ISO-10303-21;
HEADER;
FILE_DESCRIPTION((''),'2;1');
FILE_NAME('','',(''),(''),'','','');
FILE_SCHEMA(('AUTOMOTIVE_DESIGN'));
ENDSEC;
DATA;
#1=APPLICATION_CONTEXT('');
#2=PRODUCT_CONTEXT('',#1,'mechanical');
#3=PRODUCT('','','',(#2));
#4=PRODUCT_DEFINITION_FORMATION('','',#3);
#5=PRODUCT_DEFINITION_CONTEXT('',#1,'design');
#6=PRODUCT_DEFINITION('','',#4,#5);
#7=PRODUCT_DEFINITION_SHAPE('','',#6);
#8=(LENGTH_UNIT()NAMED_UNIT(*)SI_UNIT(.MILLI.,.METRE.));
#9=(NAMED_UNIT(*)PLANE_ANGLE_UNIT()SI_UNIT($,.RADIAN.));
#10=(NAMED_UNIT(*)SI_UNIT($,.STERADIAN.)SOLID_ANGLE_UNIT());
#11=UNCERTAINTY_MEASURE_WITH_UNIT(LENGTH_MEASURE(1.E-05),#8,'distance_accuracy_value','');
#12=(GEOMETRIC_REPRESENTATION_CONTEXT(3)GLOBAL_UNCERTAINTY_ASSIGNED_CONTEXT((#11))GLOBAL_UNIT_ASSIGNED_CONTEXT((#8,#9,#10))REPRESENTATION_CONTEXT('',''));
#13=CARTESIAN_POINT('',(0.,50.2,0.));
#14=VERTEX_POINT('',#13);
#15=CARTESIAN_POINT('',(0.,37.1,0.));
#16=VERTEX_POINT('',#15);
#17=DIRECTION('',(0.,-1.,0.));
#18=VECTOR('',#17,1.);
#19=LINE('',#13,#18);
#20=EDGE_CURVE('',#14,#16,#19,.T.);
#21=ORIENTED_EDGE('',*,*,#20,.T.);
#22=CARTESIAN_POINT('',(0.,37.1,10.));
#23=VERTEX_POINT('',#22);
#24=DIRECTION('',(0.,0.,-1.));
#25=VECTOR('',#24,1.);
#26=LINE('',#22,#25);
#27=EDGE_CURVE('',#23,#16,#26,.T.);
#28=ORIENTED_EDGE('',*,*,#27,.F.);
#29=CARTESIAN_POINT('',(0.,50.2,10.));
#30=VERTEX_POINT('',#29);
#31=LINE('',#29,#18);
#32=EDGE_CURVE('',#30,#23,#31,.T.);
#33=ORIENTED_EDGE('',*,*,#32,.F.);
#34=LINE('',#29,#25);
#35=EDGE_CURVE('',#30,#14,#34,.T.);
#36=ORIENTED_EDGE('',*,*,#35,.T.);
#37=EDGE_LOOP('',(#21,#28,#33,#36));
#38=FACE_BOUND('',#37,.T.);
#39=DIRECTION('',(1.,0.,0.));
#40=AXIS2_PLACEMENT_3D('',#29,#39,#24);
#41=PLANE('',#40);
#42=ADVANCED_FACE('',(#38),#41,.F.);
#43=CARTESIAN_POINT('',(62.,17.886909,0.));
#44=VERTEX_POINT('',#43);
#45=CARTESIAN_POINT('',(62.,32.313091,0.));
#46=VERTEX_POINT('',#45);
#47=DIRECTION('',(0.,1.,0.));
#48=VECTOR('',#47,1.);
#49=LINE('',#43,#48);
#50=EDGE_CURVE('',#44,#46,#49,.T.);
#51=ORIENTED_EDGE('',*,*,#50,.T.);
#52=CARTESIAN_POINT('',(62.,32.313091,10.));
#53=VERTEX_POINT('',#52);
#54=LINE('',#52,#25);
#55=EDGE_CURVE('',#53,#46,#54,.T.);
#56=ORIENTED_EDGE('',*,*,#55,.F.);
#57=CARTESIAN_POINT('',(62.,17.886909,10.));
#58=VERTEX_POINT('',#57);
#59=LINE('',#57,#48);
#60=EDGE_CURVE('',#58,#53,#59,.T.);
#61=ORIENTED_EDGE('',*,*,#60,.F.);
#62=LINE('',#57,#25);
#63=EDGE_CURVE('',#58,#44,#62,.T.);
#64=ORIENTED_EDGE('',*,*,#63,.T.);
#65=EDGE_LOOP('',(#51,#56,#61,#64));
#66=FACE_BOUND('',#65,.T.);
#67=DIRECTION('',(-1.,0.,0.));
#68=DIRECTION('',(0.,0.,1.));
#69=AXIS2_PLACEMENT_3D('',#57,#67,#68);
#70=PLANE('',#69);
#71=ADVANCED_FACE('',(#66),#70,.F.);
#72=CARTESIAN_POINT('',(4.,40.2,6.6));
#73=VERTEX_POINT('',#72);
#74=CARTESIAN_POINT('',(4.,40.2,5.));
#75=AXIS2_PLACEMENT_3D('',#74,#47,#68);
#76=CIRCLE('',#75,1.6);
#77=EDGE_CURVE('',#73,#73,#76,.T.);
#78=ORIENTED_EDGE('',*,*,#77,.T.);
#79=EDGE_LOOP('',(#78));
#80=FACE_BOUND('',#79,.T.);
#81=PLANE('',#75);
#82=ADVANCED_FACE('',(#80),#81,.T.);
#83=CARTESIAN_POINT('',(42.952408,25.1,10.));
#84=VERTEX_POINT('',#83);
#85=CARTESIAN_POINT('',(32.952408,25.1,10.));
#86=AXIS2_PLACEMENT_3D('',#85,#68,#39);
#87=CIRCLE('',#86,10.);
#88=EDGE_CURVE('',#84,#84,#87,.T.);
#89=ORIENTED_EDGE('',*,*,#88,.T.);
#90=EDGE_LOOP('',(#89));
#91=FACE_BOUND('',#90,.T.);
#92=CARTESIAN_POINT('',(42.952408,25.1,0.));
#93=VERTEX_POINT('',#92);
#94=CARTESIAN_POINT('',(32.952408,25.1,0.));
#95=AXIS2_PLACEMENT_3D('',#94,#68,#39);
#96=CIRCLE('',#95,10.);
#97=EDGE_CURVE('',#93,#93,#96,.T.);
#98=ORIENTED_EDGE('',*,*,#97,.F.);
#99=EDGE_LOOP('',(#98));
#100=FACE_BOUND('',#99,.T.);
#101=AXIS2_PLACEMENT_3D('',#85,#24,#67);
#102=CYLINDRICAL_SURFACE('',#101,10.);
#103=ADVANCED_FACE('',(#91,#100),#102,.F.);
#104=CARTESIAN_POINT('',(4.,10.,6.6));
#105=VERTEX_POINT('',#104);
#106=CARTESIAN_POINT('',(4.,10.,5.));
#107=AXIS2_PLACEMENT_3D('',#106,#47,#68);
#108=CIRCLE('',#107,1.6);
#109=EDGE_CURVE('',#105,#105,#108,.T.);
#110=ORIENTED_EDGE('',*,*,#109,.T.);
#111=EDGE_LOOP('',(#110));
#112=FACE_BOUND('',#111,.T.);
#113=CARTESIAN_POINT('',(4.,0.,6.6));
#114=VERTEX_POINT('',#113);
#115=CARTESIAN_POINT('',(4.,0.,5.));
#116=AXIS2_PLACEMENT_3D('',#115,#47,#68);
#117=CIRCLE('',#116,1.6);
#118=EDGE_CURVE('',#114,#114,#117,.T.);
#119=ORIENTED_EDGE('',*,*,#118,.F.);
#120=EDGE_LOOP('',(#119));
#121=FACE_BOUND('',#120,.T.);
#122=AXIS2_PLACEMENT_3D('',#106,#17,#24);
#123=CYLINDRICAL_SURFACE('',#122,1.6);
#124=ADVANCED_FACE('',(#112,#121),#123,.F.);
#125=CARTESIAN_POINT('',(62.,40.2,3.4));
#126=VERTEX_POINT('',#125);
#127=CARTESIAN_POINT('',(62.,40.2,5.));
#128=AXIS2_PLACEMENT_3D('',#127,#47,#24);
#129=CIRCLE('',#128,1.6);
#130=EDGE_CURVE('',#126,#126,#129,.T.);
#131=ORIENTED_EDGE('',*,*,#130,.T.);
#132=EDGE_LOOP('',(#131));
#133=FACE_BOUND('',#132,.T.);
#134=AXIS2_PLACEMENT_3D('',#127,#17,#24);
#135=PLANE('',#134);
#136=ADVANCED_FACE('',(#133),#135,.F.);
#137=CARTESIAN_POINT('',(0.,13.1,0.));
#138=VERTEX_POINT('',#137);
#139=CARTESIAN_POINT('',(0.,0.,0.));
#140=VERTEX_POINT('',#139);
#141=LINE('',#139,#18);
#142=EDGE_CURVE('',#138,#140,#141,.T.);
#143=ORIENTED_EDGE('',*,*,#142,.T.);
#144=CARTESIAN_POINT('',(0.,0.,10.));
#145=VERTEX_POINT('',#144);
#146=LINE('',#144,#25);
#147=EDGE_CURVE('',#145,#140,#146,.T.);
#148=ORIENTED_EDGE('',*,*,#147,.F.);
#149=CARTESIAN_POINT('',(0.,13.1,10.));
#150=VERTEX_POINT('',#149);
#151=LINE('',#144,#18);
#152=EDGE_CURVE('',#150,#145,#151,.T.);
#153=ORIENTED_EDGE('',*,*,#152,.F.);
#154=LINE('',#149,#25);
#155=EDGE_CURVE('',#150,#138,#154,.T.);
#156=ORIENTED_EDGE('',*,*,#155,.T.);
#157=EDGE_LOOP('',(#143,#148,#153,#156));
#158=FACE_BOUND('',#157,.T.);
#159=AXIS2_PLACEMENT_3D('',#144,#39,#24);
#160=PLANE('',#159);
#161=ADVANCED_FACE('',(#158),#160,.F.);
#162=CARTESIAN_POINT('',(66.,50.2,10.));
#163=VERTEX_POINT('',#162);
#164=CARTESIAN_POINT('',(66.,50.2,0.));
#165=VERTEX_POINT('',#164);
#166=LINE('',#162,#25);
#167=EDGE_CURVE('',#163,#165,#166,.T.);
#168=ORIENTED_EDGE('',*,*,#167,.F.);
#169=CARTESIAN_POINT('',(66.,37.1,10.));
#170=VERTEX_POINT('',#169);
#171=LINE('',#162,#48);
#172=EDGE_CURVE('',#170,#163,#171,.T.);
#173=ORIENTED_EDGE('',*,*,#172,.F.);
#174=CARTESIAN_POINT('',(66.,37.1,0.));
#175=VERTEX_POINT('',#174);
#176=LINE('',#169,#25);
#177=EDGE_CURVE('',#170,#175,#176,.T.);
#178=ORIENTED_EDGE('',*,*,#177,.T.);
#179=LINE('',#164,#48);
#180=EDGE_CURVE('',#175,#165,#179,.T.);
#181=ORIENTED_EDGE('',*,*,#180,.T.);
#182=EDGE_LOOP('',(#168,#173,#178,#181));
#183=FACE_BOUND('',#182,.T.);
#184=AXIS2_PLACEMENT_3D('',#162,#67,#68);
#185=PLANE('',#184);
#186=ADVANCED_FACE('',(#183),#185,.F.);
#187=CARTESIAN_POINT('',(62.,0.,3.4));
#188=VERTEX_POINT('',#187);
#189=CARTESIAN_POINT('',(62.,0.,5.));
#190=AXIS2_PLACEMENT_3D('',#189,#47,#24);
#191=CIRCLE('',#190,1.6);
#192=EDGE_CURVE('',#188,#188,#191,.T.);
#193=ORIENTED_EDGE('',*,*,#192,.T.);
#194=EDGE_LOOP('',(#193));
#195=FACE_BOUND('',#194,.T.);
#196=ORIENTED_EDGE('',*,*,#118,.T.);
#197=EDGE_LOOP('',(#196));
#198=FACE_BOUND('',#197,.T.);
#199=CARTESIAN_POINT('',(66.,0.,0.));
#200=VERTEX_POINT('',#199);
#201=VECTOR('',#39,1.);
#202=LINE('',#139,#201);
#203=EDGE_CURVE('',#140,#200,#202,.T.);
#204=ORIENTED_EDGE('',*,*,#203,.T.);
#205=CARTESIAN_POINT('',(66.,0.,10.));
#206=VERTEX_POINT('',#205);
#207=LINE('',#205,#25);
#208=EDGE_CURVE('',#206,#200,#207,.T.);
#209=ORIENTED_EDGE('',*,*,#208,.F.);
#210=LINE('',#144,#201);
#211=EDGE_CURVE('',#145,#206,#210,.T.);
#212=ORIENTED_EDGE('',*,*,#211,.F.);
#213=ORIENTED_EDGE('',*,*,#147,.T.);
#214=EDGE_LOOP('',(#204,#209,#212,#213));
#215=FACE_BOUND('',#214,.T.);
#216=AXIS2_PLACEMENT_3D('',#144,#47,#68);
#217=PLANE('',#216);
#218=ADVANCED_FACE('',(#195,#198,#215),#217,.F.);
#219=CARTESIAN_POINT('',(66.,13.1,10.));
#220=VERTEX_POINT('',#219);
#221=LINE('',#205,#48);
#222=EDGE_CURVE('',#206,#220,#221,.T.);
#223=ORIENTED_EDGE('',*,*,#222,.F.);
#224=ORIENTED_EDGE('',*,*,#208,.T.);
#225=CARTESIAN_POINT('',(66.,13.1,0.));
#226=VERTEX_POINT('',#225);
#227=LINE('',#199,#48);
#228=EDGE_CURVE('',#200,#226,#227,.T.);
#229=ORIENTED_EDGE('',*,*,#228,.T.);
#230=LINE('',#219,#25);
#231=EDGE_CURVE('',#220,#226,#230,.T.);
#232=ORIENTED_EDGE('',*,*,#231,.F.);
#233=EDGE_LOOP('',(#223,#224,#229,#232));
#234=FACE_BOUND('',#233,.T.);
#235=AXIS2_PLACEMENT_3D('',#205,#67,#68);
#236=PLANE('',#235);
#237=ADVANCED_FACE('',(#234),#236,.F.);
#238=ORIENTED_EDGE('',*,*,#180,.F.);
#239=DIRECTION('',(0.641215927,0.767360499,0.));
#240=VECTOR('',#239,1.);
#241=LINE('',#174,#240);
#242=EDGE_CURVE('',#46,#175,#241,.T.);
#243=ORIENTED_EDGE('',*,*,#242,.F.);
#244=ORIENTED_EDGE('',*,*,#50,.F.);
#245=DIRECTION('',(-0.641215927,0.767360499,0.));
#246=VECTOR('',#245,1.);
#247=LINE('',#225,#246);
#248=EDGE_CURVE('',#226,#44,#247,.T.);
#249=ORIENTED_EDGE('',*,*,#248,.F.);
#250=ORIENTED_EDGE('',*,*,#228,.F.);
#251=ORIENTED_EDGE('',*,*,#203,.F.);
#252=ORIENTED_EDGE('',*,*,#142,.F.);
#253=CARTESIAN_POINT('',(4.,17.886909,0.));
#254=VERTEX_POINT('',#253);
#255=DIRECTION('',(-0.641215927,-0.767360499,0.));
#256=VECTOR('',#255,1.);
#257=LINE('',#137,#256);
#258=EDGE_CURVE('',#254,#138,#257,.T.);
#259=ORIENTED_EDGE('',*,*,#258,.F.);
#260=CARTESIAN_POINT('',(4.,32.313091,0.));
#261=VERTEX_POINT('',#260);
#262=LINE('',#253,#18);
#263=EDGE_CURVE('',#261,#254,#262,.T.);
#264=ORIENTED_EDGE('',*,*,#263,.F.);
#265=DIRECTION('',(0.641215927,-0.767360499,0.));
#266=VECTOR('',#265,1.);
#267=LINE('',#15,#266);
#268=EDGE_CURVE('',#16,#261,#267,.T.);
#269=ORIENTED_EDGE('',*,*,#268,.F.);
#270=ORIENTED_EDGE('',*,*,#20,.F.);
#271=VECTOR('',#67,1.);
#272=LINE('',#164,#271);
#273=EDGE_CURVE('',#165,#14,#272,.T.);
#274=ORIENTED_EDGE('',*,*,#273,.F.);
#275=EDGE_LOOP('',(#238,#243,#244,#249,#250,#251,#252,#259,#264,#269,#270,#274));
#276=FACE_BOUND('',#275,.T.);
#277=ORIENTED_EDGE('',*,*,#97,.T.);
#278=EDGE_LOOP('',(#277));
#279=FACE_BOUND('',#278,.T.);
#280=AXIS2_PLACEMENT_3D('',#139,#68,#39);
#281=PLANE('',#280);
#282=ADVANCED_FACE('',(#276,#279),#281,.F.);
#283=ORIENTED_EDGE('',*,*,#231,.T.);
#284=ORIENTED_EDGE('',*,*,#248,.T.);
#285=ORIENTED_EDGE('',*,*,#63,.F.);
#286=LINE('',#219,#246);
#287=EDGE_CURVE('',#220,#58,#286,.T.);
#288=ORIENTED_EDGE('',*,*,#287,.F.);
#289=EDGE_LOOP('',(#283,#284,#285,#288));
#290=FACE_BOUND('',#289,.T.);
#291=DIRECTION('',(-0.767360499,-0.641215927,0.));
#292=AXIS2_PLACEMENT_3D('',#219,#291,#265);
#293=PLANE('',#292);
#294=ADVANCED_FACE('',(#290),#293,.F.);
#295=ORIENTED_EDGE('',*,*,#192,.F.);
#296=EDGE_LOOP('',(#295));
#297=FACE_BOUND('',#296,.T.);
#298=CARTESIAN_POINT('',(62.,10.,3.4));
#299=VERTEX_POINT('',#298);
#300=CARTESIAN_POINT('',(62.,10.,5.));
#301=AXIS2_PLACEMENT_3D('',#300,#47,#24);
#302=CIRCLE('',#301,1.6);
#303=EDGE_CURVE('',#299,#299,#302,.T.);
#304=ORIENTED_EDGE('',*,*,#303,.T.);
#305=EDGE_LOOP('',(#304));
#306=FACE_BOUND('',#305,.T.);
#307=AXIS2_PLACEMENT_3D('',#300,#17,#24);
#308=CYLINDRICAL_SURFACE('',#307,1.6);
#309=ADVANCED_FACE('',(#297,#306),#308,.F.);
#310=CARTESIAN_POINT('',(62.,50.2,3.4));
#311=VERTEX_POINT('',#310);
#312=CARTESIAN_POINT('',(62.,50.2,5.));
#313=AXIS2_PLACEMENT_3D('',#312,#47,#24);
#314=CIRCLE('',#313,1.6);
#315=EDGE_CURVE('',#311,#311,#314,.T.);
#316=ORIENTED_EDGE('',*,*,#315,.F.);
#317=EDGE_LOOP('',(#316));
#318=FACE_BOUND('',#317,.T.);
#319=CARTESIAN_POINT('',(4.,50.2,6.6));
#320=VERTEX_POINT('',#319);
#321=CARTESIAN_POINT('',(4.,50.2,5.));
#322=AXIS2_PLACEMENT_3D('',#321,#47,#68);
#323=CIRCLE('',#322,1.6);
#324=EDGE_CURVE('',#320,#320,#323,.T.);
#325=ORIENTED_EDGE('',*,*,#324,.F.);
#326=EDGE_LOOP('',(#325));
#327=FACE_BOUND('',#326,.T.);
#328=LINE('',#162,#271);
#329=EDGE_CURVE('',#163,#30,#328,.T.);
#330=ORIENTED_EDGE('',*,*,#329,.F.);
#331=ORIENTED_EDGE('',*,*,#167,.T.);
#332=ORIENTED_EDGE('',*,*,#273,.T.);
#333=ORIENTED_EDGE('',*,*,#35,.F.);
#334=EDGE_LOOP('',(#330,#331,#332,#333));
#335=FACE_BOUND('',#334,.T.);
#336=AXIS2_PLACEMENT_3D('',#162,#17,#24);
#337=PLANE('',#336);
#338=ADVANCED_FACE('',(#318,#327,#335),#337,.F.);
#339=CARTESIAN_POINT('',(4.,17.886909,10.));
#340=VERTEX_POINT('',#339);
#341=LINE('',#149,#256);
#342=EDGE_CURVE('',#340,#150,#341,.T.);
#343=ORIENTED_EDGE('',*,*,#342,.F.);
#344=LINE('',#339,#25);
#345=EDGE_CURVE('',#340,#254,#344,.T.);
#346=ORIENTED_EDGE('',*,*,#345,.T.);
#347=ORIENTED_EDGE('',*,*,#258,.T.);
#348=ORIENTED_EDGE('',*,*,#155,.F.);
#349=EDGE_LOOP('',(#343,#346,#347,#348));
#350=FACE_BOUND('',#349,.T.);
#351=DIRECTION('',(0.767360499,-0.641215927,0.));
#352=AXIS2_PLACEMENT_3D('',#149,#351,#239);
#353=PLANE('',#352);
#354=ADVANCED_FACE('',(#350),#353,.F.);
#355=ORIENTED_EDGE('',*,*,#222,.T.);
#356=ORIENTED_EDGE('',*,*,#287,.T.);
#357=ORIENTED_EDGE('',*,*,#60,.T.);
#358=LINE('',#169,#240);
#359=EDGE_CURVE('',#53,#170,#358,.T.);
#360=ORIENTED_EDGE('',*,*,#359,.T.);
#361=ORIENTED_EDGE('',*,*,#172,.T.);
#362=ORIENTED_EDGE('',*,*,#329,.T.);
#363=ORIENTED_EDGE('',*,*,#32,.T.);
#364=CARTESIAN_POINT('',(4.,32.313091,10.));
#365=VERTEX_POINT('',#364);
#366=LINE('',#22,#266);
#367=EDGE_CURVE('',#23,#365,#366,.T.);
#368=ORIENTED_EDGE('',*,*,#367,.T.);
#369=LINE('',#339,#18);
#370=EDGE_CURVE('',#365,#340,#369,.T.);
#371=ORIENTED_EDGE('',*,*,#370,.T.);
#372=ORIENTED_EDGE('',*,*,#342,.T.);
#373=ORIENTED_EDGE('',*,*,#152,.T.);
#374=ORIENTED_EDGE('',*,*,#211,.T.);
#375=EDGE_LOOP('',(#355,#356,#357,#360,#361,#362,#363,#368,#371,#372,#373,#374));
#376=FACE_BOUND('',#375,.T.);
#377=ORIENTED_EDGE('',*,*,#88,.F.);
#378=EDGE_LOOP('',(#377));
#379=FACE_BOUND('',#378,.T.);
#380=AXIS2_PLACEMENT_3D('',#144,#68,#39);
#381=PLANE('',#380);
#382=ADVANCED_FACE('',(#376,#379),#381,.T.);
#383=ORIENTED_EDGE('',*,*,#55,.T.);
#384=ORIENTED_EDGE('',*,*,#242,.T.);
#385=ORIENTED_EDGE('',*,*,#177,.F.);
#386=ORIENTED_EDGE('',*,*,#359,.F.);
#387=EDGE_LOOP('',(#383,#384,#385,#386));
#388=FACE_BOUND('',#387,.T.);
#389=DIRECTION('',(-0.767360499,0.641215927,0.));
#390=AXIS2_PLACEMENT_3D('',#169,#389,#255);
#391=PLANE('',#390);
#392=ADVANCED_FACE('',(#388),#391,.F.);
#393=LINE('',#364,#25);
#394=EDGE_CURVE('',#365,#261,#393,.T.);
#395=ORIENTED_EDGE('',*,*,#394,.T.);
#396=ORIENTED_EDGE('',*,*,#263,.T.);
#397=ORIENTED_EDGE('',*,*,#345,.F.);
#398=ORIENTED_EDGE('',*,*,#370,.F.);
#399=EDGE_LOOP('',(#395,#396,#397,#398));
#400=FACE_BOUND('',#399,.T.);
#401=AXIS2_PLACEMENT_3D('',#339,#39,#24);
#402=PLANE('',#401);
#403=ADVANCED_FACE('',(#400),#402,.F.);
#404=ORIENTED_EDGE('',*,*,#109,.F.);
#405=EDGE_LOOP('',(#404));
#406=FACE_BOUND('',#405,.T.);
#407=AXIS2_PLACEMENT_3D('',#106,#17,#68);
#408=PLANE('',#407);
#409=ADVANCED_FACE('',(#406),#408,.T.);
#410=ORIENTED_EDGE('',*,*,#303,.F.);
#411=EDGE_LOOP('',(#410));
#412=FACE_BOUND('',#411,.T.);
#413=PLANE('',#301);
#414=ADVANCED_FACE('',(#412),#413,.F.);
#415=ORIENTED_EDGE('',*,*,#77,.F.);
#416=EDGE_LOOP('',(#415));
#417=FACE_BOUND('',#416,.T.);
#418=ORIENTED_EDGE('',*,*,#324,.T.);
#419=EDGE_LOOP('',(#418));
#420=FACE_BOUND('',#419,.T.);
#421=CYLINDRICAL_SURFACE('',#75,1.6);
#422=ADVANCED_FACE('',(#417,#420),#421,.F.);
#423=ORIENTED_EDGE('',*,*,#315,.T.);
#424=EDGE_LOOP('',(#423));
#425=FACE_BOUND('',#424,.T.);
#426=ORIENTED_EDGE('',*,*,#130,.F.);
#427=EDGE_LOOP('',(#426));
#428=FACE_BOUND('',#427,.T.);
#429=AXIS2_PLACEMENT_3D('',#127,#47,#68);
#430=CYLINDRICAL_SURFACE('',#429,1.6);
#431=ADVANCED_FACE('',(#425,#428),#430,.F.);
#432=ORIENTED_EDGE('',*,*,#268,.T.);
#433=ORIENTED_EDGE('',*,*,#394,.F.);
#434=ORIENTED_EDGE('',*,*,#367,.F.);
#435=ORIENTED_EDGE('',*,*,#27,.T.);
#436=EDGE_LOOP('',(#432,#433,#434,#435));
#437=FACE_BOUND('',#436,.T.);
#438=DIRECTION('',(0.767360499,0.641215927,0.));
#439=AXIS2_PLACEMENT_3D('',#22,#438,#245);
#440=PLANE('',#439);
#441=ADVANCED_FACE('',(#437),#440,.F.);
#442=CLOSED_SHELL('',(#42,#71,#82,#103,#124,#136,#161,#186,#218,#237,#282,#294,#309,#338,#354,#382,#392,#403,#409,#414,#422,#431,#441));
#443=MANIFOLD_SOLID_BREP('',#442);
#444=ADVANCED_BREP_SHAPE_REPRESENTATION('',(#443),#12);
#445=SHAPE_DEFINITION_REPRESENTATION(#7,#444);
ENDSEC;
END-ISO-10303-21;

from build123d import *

# Parameters (mm, degrees)
SZKIC1_R                    = 10
DODANIE_WYCI_GNI_CIE1_DEPTH = 10
SZKIC2_R                    = 1.6
WYTNIJ_WYCI_GNI_CIE1_DEPTH  = 10


with BuildPart() as part:
    # Szkic1 → Dodanie-wyciągnięcie1 (new body)
    with BuildSketch(Plane.XY):
        Polygon((0, 0), (66, 0), (66, 13.1), (62, 17.886908539), (62, 32.313091461), (66, 37.1), (66, 50.2), (0, 50.2), (0, 37.1), (4, 32.313091461), (4, 17.886908539), (0, 13.1), align=None)
        with Locations((32.952408039, 25.1)):
            Circle(SZKIC1_R, mode=Mode.SUBTRACT)
    extrude(amount=DODANIE_WYCI_GNI_CIE1_DEPTH)

    # Szkic2 → Wytnij-wyciągnięcie1 (cut)
    with BuildSketch(Plane(origin=(0, 50.2, 0), x_dir=(1, 0, 0), z_dir=(0, 1, 0))):
        with Locations(Location((4, -5, 0), (0, 0, 270))):
            Circle(SZKIC2_R)
        with Locations(Location((62, -5, 0), (0, 0, 90))):
            Circle(SZKIC2_R)
    wytnij_wyci_gni_cie1 = extrude(amount=-WYTNIJ_WYCI_GNI_CIE1_DEPTH, mode=Mode.SUBTRACT)

    # Lustro1: Wytnij-wyciągnięcie1 across plane
    add(wytnij_wyci_gni_cie1.mirror(Plane.ZX.offset(25.1)), mode=Mode.SUBTRACT)


solid = part.part
